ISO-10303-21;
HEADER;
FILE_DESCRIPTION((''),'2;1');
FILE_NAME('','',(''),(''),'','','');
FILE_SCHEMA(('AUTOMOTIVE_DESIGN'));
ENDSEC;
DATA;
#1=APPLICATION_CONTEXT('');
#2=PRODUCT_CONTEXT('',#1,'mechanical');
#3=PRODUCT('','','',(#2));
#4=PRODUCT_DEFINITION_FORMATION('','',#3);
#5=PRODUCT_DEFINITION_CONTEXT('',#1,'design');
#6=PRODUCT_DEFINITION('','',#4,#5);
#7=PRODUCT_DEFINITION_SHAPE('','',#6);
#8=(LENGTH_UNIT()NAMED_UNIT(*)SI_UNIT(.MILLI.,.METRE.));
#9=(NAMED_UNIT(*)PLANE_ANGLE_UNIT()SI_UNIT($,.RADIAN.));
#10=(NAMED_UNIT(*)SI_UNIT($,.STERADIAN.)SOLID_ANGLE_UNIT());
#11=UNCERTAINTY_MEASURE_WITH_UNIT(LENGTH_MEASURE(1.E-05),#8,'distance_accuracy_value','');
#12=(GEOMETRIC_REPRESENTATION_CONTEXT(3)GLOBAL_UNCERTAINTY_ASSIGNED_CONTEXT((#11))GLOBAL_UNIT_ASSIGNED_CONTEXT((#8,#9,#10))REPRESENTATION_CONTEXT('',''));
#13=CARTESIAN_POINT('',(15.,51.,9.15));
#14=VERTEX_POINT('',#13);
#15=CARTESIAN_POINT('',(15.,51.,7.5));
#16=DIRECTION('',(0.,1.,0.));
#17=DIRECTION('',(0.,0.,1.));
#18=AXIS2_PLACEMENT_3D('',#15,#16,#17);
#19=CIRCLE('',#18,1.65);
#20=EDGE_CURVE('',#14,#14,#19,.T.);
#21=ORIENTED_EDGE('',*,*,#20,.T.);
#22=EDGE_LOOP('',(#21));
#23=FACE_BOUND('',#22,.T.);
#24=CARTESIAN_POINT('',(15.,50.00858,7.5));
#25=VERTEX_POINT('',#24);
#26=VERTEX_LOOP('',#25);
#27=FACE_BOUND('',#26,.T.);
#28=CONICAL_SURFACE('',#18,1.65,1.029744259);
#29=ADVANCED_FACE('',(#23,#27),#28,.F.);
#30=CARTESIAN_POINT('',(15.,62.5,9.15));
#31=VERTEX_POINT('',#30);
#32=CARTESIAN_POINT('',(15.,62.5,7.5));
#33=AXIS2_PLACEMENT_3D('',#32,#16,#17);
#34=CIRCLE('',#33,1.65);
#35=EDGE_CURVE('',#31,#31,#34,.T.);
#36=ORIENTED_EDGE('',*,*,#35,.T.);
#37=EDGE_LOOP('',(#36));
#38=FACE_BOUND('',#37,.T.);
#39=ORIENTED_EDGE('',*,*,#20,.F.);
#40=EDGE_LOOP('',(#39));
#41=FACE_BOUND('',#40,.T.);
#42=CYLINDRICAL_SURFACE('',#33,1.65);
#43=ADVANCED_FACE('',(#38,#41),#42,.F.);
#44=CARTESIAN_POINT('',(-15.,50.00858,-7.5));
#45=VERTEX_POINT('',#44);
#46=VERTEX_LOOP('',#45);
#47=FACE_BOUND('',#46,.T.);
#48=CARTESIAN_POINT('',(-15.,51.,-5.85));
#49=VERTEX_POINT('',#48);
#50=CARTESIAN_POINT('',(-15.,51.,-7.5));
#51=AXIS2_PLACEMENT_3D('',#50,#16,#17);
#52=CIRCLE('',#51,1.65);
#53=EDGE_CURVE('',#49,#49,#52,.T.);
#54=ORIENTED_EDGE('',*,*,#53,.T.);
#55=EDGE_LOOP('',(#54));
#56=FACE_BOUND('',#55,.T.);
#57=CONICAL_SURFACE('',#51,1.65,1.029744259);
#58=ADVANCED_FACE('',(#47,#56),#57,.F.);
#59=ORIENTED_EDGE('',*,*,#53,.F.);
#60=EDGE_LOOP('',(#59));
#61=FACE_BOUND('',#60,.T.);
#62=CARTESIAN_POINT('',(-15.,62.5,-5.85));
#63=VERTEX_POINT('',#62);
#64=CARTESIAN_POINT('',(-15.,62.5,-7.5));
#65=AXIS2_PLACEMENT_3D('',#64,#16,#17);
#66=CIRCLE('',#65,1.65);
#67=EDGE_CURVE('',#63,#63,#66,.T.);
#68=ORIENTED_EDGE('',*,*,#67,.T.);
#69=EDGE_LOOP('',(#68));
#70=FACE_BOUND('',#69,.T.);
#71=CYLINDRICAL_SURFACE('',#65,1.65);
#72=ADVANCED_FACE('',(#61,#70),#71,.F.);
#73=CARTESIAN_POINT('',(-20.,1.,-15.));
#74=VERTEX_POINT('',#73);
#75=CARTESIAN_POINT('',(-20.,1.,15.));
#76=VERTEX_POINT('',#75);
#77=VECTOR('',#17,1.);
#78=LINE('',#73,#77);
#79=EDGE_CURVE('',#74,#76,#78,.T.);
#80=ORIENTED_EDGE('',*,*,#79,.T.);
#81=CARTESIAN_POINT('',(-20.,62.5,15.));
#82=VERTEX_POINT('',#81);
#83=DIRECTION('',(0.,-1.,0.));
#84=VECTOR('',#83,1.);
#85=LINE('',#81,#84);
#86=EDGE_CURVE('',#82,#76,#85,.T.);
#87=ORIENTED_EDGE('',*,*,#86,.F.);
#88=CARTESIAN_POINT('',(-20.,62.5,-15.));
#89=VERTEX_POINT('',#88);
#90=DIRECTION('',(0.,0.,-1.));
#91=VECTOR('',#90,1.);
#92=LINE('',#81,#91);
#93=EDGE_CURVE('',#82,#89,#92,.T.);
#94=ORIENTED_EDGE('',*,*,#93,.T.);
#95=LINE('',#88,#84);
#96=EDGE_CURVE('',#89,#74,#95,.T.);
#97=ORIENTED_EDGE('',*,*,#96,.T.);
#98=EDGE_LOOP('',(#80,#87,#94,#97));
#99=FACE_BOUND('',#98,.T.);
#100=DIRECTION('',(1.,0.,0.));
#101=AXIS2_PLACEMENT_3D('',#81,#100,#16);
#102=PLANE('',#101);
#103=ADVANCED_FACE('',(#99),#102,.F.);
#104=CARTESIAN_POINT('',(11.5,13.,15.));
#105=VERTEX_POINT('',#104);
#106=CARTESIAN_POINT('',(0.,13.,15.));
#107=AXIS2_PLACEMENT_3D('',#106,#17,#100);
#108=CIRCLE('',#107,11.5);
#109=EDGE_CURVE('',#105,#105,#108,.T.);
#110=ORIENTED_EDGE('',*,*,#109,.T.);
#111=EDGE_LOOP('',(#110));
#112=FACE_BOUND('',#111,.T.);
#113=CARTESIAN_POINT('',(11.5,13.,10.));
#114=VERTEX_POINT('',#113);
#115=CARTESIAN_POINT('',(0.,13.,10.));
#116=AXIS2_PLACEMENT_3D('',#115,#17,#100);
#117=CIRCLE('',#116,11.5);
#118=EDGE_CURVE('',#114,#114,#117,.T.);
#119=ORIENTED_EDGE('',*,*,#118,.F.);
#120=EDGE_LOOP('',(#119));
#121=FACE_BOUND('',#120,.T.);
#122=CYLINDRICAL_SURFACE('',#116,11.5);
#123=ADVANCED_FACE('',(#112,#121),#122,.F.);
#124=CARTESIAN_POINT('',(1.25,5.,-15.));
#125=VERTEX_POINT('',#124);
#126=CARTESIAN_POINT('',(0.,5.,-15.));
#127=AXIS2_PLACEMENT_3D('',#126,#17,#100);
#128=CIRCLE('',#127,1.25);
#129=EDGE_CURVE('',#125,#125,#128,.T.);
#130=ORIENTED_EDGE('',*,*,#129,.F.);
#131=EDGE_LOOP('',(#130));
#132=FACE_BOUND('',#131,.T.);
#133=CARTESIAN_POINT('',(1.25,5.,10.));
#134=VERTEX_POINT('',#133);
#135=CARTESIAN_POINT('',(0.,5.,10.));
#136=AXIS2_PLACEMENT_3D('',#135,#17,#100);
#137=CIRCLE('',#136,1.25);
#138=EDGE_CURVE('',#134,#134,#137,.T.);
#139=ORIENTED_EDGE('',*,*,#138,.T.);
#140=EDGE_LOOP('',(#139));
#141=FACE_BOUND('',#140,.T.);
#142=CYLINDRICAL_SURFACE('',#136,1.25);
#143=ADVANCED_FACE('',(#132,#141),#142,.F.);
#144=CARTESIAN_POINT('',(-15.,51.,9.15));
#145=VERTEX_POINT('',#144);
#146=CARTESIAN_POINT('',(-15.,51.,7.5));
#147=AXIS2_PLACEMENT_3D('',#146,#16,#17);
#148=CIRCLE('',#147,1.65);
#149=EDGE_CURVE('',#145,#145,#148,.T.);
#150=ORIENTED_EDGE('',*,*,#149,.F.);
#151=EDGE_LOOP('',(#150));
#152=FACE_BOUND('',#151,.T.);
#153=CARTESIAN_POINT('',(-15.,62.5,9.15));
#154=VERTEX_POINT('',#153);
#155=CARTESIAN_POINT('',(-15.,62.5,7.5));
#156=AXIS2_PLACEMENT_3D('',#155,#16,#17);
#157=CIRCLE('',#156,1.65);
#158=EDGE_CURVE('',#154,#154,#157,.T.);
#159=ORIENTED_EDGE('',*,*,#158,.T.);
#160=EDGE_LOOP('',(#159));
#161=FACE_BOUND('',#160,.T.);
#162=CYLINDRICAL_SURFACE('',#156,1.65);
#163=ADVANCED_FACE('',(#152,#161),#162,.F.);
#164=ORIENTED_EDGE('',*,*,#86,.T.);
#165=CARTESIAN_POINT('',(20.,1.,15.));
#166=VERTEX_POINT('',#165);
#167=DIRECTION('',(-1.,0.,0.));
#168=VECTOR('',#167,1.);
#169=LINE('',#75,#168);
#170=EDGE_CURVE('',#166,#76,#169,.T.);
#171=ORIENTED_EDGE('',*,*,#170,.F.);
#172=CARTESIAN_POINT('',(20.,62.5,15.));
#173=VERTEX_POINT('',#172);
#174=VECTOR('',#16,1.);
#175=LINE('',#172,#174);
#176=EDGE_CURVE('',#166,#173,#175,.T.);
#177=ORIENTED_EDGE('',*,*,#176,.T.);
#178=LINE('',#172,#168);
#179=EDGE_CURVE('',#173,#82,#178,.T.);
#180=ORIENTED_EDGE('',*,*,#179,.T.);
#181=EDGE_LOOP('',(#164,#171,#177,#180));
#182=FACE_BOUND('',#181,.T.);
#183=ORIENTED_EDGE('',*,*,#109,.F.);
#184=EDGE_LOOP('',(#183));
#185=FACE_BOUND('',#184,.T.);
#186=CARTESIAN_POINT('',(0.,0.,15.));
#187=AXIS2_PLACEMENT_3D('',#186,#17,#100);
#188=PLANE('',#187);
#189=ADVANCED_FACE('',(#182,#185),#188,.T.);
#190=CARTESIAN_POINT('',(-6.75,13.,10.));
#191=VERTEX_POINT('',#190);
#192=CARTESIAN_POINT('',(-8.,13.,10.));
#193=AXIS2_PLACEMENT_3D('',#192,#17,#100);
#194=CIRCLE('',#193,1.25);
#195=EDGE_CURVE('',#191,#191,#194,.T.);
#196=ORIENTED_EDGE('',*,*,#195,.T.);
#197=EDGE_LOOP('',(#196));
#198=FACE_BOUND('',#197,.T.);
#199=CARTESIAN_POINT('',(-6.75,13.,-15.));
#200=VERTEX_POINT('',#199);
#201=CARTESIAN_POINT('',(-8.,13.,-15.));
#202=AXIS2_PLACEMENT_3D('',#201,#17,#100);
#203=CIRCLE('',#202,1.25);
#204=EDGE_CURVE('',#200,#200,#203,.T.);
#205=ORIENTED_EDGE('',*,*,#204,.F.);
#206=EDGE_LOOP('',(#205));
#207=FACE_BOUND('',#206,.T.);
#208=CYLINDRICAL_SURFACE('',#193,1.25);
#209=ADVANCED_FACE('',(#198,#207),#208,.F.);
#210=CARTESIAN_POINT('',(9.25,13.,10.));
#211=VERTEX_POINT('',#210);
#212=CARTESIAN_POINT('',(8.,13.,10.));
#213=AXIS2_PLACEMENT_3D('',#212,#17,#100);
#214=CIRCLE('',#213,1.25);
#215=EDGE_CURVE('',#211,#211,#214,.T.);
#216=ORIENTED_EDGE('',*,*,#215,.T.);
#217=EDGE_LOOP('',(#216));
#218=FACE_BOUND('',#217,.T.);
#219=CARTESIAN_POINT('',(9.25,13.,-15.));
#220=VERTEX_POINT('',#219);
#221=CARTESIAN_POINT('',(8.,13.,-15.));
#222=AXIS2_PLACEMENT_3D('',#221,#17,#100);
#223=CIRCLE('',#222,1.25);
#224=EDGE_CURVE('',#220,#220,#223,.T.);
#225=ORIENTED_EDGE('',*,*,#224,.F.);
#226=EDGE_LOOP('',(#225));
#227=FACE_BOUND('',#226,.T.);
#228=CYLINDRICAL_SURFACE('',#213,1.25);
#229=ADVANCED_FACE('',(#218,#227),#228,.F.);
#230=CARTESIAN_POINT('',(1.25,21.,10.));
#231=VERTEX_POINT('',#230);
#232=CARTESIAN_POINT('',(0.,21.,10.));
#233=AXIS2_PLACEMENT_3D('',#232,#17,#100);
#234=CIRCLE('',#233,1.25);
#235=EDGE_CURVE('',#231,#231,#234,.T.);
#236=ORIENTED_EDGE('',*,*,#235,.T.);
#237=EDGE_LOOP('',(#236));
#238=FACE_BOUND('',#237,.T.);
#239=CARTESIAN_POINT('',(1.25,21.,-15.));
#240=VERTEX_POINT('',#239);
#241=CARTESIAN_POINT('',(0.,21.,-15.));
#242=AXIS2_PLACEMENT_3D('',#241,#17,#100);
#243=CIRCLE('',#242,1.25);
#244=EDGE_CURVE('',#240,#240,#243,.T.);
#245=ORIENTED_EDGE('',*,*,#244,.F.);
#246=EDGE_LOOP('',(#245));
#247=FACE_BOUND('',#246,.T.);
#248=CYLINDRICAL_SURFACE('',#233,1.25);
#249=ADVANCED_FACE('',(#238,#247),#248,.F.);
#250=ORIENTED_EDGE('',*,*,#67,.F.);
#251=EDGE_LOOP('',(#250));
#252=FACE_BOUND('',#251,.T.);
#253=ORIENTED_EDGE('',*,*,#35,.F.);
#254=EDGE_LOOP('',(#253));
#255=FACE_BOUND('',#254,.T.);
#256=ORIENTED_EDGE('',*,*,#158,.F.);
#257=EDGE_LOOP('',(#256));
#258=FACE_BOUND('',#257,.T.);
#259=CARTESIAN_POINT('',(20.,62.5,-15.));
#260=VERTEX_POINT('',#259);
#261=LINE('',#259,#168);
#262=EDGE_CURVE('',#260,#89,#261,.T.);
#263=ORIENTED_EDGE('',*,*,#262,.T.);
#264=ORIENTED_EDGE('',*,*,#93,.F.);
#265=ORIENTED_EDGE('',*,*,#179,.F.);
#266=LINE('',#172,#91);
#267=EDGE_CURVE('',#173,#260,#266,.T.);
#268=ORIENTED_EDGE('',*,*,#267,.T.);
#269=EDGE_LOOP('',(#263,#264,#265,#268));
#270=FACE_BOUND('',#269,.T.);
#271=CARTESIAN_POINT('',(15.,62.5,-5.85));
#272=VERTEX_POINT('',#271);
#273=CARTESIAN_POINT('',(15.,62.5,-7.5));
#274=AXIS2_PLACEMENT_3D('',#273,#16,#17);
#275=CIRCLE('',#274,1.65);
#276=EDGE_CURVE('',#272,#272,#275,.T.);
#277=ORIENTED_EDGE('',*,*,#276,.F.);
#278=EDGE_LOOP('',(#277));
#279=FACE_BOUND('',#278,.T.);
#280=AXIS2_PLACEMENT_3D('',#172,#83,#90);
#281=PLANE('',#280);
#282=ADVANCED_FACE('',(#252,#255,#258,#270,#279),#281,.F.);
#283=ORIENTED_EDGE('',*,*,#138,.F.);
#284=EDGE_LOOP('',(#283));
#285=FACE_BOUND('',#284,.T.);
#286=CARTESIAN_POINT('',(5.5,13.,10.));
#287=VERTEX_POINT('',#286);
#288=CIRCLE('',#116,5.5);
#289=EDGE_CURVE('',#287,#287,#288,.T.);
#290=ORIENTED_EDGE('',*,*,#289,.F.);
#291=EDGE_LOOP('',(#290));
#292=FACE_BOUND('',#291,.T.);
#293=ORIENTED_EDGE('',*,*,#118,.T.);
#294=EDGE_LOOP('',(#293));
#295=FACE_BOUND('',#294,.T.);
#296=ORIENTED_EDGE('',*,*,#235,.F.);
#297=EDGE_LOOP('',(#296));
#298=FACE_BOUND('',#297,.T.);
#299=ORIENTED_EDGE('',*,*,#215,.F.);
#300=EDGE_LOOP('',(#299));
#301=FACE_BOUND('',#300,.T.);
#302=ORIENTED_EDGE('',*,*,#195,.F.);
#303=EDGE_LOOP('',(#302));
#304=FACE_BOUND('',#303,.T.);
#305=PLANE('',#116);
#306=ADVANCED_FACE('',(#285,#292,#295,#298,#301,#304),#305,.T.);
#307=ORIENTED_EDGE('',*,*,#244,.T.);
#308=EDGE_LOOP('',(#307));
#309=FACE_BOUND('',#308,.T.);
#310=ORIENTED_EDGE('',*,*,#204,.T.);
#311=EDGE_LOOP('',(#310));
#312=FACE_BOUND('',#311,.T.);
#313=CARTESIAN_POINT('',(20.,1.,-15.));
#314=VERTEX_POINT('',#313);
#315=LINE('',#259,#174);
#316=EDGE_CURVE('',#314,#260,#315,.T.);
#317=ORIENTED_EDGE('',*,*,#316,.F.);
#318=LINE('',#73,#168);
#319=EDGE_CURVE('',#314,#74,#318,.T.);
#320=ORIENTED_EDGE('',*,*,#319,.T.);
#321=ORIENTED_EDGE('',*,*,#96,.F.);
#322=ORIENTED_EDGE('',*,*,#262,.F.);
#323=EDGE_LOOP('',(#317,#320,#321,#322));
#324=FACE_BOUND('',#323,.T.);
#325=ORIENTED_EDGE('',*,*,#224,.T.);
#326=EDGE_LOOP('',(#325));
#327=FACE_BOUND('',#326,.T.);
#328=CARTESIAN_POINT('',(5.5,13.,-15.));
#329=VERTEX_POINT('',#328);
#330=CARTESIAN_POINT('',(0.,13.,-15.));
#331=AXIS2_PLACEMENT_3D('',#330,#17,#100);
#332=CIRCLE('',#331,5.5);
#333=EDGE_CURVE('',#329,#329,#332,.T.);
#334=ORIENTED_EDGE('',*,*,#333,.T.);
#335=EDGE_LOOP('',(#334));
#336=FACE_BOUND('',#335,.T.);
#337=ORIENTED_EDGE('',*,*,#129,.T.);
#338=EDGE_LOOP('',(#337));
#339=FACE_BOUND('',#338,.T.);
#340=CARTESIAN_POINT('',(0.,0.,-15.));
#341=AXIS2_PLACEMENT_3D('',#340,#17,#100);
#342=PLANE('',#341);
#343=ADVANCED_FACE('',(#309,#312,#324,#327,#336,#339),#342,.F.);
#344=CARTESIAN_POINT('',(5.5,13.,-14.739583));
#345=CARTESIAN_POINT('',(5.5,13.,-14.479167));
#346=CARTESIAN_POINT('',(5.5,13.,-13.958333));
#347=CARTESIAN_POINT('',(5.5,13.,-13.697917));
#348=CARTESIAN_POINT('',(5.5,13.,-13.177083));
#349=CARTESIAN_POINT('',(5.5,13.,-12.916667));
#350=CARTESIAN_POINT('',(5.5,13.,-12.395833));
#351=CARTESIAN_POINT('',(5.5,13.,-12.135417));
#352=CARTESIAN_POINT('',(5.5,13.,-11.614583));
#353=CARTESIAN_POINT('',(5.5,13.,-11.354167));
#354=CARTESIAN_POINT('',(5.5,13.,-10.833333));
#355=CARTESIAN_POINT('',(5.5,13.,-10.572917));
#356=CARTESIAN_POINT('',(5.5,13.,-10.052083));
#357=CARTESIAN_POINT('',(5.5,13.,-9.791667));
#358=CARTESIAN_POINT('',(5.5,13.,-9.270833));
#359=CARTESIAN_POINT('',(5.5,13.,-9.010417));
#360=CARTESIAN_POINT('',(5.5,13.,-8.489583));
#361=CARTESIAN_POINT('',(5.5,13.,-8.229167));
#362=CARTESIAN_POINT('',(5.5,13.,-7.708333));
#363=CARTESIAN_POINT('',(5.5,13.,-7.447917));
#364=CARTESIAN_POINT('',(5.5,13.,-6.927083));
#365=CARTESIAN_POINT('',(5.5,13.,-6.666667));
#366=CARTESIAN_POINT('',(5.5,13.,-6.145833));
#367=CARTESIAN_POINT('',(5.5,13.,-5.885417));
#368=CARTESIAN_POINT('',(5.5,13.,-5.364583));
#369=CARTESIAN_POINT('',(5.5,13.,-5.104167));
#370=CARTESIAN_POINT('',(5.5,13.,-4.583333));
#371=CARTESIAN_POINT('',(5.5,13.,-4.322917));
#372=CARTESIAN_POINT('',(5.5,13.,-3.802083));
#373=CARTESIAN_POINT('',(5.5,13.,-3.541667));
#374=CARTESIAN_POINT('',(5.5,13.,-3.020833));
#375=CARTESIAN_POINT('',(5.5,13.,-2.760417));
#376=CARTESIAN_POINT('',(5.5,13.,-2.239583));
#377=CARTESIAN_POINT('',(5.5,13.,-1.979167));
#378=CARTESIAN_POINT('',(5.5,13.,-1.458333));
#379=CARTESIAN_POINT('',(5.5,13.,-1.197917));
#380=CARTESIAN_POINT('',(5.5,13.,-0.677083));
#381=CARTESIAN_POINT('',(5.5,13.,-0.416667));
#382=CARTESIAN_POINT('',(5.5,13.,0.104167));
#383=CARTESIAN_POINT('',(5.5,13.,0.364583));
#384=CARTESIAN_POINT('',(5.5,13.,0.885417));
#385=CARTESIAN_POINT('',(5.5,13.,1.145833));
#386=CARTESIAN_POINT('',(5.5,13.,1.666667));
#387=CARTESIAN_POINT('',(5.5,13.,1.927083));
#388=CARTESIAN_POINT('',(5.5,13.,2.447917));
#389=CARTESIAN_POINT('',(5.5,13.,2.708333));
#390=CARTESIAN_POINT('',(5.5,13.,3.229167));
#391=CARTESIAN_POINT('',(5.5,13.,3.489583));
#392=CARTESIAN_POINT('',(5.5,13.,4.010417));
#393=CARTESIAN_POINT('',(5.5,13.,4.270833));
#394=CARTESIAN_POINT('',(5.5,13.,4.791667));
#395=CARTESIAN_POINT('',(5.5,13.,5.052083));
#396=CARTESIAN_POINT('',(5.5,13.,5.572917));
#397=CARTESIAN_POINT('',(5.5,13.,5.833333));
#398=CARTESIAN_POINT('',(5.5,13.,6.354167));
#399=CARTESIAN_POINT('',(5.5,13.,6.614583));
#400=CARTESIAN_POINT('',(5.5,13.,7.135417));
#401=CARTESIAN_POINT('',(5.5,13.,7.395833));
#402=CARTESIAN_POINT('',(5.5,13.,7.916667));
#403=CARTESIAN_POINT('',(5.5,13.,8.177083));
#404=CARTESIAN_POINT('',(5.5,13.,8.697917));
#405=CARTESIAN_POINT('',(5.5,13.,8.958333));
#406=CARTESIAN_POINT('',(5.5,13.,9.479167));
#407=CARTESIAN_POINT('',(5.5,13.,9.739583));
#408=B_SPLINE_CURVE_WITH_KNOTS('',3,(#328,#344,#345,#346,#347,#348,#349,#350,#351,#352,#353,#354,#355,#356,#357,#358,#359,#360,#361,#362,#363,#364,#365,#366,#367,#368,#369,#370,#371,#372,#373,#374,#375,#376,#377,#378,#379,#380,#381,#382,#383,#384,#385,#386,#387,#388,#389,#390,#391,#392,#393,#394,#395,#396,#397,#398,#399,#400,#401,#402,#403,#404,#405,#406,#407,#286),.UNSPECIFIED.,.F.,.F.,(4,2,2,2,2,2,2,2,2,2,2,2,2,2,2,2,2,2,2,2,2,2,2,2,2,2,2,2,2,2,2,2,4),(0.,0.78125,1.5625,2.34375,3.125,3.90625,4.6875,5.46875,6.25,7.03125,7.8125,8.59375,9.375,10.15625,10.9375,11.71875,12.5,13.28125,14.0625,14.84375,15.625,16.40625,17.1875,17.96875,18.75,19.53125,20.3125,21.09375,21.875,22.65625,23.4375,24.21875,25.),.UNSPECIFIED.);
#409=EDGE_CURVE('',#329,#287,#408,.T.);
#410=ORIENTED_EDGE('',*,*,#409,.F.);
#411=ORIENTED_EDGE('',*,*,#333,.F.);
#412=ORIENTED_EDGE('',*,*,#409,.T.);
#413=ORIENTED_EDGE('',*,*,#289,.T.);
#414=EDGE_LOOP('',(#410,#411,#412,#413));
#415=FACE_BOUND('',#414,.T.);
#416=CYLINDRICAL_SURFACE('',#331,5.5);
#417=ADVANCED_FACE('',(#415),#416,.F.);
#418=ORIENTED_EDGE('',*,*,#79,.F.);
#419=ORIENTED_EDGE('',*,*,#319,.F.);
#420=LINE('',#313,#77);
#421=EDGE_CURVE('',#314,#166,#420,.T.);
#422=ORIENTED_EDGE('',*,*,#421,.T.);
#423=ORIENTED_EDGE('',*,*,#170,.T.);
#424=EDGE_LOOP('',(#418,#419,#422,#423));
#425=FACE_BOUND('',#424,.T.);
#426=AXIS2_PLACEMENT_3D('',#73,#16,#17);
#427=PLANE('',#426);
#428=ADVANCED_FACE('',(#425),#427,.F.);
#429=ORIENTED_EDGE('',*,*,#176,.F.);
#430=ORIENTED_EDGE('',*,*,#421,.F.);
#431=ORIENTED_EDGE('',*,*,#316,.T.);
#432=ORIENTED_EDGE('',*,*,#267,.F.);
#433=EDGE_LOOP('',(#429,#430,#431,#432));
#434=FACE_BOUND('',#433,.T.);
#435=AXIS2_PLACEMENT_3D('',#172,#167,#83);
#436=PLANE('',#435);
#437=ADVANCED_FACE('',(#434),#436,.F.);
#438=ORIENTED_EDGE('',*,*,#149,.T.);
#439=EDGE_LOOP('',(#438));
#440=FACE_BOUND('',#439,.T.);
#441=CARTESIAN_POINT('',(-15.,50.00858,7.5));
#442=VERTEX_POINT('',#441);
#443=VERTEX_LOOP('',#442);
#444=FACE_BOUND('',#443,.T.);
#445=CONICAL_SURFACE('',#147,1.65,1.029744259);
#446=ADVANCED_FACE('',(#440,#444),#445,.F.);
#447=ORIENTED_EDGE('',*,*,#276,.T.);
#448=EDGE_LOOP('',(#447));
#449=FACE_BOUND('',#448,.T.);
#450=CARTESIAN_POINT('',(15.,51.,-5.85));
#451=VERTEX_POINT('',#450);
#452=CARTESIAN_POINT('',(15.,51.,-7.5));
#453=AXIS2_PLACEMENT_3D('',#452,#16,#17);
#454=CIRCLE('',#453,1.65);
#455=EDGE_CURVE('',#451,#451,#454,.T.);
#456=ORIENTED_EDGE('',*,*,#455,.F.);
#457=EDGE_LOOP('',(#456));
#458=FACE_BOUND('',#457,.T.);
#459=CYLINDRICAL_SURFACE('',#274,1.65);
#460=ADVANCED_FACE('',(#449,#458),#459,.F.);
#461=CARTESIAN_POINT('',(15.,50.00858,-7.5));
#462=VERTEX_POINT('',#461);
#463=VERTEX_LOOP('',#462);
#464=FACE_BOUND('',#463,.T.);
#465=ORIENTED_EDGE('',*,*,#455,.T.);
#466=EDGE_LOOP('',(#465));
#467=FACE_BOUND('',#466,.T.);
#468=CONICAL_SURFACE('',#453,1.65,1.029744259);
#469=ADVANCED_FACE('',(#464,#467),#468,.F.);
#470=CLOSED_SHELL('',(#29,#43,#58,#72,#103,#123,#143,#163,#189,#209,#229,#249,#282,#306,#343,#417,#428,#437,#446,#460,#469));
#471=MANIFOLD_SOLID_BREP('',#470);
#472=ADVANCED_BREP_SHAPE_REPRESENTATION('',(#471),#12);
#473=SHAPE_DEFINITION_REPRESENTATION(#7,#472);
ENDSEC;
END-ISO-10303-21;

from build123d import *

# Parameters (mm, degrees)
SKETCH1_W             = 40
SKETCH1_H             = 62.5
BOSS_EXTRUDE1_DEPTH   = 15
SKETCH2_R             = 11.5
CUT_EXTRUDE1_DEPTH    = 5
SKETCH3_R             = 5.5
CUT_EXTRUDE2_DEPTH    = 71.222859526
M4_TAPPED_HOLE1_D     = 3.3
M4_TAPPED_HOLE1_DEPTH = 11.5
M4_TAPPED_HOLE1_TIP   = 0.991420021
M3_TAPPED_HOLE2_D     = 2.5
SKETCH9_W             = 40
SKETCH9_H             = 1
CUT_EXTRUDE4_DEPTH    = 73.154348448


with BuildPart() as part:
    # Sketch1 → Boss-Extrude1 (new, symmetric)
    with BuildSketch(Plane.XY):
        with Locations((0, 31.25)):
            Rectangle(SKETCH1_W, SKETCH1_H)
    extrude(amount=BOSS_EXTRUDE1_DEPTH, both=True)

    # Sketch2 → Cut-Extrude1 (cut)
    with BuildSketch(Plane.XY.offset(15)):
        with Locations((0, 13)):
            Circle(SKETCH2_R)
    extrude(amount=-CUT_EXTRUDE1_DEPTH, mode=Mode.SUBTRACT)

    # Sketch3 → Cut-Extrude2 (cut, through all)
    with BuildSketch(Plane.XY.offset(10)):
        with Locations((0, 13)):
            Circle(SKETCH3_R)
    extrude(amount=-CUT_EXTRUDE2_DEPTH, mode=Mode.SUBTRACT)

    # M4 Tapped Hole1
    with Locations(Plane(origin=(0, 62.5, 0), x_dir=(1, 0, 0), z_dir=(0, 1, 0))):
        with Locations((-15, 7.5), (15, 7.5), (15, -7.5), (-15, -7.5)):
            Hole(M4_TAPPED_HOLE1_D / 2, depth=M4_TAPPED_HOLE1_DEPTH)
            with Locations((0, 0, -(M4_TAPPED_HOLE1_DEPTH + M4_TAPPED_HOLE1_TIP / 2))):  # 118° drill point
                Cone(0, M4_TAPPED_HOLE1_D / 2, M4_TAPPED_HOLE1_TIP, mode=Mode.SUBTRACT)

    # M3 Tapped Hole2 (through all)
    with Locations(Plane.XY.offset(10)):
        with Locations((0, 13), (0, 21), (0, 5), (-8, 13), (8, 13)):
            Hole(M3_TAPPED_HOLE2_D / 2)

    # Sketch9 → Cut-Extrude4 (cut, through all)
    with BuildSketch(Plane.XY.offset(15)):
        with Locations((0, 0.5)):
            Rectangle(SKETCH9_W, SKETCH9_H)
    extrude(amount=-CUT_EXTRUDE4_DEPTH, mode=Mode.SUBTRACT)


solid = part.part
